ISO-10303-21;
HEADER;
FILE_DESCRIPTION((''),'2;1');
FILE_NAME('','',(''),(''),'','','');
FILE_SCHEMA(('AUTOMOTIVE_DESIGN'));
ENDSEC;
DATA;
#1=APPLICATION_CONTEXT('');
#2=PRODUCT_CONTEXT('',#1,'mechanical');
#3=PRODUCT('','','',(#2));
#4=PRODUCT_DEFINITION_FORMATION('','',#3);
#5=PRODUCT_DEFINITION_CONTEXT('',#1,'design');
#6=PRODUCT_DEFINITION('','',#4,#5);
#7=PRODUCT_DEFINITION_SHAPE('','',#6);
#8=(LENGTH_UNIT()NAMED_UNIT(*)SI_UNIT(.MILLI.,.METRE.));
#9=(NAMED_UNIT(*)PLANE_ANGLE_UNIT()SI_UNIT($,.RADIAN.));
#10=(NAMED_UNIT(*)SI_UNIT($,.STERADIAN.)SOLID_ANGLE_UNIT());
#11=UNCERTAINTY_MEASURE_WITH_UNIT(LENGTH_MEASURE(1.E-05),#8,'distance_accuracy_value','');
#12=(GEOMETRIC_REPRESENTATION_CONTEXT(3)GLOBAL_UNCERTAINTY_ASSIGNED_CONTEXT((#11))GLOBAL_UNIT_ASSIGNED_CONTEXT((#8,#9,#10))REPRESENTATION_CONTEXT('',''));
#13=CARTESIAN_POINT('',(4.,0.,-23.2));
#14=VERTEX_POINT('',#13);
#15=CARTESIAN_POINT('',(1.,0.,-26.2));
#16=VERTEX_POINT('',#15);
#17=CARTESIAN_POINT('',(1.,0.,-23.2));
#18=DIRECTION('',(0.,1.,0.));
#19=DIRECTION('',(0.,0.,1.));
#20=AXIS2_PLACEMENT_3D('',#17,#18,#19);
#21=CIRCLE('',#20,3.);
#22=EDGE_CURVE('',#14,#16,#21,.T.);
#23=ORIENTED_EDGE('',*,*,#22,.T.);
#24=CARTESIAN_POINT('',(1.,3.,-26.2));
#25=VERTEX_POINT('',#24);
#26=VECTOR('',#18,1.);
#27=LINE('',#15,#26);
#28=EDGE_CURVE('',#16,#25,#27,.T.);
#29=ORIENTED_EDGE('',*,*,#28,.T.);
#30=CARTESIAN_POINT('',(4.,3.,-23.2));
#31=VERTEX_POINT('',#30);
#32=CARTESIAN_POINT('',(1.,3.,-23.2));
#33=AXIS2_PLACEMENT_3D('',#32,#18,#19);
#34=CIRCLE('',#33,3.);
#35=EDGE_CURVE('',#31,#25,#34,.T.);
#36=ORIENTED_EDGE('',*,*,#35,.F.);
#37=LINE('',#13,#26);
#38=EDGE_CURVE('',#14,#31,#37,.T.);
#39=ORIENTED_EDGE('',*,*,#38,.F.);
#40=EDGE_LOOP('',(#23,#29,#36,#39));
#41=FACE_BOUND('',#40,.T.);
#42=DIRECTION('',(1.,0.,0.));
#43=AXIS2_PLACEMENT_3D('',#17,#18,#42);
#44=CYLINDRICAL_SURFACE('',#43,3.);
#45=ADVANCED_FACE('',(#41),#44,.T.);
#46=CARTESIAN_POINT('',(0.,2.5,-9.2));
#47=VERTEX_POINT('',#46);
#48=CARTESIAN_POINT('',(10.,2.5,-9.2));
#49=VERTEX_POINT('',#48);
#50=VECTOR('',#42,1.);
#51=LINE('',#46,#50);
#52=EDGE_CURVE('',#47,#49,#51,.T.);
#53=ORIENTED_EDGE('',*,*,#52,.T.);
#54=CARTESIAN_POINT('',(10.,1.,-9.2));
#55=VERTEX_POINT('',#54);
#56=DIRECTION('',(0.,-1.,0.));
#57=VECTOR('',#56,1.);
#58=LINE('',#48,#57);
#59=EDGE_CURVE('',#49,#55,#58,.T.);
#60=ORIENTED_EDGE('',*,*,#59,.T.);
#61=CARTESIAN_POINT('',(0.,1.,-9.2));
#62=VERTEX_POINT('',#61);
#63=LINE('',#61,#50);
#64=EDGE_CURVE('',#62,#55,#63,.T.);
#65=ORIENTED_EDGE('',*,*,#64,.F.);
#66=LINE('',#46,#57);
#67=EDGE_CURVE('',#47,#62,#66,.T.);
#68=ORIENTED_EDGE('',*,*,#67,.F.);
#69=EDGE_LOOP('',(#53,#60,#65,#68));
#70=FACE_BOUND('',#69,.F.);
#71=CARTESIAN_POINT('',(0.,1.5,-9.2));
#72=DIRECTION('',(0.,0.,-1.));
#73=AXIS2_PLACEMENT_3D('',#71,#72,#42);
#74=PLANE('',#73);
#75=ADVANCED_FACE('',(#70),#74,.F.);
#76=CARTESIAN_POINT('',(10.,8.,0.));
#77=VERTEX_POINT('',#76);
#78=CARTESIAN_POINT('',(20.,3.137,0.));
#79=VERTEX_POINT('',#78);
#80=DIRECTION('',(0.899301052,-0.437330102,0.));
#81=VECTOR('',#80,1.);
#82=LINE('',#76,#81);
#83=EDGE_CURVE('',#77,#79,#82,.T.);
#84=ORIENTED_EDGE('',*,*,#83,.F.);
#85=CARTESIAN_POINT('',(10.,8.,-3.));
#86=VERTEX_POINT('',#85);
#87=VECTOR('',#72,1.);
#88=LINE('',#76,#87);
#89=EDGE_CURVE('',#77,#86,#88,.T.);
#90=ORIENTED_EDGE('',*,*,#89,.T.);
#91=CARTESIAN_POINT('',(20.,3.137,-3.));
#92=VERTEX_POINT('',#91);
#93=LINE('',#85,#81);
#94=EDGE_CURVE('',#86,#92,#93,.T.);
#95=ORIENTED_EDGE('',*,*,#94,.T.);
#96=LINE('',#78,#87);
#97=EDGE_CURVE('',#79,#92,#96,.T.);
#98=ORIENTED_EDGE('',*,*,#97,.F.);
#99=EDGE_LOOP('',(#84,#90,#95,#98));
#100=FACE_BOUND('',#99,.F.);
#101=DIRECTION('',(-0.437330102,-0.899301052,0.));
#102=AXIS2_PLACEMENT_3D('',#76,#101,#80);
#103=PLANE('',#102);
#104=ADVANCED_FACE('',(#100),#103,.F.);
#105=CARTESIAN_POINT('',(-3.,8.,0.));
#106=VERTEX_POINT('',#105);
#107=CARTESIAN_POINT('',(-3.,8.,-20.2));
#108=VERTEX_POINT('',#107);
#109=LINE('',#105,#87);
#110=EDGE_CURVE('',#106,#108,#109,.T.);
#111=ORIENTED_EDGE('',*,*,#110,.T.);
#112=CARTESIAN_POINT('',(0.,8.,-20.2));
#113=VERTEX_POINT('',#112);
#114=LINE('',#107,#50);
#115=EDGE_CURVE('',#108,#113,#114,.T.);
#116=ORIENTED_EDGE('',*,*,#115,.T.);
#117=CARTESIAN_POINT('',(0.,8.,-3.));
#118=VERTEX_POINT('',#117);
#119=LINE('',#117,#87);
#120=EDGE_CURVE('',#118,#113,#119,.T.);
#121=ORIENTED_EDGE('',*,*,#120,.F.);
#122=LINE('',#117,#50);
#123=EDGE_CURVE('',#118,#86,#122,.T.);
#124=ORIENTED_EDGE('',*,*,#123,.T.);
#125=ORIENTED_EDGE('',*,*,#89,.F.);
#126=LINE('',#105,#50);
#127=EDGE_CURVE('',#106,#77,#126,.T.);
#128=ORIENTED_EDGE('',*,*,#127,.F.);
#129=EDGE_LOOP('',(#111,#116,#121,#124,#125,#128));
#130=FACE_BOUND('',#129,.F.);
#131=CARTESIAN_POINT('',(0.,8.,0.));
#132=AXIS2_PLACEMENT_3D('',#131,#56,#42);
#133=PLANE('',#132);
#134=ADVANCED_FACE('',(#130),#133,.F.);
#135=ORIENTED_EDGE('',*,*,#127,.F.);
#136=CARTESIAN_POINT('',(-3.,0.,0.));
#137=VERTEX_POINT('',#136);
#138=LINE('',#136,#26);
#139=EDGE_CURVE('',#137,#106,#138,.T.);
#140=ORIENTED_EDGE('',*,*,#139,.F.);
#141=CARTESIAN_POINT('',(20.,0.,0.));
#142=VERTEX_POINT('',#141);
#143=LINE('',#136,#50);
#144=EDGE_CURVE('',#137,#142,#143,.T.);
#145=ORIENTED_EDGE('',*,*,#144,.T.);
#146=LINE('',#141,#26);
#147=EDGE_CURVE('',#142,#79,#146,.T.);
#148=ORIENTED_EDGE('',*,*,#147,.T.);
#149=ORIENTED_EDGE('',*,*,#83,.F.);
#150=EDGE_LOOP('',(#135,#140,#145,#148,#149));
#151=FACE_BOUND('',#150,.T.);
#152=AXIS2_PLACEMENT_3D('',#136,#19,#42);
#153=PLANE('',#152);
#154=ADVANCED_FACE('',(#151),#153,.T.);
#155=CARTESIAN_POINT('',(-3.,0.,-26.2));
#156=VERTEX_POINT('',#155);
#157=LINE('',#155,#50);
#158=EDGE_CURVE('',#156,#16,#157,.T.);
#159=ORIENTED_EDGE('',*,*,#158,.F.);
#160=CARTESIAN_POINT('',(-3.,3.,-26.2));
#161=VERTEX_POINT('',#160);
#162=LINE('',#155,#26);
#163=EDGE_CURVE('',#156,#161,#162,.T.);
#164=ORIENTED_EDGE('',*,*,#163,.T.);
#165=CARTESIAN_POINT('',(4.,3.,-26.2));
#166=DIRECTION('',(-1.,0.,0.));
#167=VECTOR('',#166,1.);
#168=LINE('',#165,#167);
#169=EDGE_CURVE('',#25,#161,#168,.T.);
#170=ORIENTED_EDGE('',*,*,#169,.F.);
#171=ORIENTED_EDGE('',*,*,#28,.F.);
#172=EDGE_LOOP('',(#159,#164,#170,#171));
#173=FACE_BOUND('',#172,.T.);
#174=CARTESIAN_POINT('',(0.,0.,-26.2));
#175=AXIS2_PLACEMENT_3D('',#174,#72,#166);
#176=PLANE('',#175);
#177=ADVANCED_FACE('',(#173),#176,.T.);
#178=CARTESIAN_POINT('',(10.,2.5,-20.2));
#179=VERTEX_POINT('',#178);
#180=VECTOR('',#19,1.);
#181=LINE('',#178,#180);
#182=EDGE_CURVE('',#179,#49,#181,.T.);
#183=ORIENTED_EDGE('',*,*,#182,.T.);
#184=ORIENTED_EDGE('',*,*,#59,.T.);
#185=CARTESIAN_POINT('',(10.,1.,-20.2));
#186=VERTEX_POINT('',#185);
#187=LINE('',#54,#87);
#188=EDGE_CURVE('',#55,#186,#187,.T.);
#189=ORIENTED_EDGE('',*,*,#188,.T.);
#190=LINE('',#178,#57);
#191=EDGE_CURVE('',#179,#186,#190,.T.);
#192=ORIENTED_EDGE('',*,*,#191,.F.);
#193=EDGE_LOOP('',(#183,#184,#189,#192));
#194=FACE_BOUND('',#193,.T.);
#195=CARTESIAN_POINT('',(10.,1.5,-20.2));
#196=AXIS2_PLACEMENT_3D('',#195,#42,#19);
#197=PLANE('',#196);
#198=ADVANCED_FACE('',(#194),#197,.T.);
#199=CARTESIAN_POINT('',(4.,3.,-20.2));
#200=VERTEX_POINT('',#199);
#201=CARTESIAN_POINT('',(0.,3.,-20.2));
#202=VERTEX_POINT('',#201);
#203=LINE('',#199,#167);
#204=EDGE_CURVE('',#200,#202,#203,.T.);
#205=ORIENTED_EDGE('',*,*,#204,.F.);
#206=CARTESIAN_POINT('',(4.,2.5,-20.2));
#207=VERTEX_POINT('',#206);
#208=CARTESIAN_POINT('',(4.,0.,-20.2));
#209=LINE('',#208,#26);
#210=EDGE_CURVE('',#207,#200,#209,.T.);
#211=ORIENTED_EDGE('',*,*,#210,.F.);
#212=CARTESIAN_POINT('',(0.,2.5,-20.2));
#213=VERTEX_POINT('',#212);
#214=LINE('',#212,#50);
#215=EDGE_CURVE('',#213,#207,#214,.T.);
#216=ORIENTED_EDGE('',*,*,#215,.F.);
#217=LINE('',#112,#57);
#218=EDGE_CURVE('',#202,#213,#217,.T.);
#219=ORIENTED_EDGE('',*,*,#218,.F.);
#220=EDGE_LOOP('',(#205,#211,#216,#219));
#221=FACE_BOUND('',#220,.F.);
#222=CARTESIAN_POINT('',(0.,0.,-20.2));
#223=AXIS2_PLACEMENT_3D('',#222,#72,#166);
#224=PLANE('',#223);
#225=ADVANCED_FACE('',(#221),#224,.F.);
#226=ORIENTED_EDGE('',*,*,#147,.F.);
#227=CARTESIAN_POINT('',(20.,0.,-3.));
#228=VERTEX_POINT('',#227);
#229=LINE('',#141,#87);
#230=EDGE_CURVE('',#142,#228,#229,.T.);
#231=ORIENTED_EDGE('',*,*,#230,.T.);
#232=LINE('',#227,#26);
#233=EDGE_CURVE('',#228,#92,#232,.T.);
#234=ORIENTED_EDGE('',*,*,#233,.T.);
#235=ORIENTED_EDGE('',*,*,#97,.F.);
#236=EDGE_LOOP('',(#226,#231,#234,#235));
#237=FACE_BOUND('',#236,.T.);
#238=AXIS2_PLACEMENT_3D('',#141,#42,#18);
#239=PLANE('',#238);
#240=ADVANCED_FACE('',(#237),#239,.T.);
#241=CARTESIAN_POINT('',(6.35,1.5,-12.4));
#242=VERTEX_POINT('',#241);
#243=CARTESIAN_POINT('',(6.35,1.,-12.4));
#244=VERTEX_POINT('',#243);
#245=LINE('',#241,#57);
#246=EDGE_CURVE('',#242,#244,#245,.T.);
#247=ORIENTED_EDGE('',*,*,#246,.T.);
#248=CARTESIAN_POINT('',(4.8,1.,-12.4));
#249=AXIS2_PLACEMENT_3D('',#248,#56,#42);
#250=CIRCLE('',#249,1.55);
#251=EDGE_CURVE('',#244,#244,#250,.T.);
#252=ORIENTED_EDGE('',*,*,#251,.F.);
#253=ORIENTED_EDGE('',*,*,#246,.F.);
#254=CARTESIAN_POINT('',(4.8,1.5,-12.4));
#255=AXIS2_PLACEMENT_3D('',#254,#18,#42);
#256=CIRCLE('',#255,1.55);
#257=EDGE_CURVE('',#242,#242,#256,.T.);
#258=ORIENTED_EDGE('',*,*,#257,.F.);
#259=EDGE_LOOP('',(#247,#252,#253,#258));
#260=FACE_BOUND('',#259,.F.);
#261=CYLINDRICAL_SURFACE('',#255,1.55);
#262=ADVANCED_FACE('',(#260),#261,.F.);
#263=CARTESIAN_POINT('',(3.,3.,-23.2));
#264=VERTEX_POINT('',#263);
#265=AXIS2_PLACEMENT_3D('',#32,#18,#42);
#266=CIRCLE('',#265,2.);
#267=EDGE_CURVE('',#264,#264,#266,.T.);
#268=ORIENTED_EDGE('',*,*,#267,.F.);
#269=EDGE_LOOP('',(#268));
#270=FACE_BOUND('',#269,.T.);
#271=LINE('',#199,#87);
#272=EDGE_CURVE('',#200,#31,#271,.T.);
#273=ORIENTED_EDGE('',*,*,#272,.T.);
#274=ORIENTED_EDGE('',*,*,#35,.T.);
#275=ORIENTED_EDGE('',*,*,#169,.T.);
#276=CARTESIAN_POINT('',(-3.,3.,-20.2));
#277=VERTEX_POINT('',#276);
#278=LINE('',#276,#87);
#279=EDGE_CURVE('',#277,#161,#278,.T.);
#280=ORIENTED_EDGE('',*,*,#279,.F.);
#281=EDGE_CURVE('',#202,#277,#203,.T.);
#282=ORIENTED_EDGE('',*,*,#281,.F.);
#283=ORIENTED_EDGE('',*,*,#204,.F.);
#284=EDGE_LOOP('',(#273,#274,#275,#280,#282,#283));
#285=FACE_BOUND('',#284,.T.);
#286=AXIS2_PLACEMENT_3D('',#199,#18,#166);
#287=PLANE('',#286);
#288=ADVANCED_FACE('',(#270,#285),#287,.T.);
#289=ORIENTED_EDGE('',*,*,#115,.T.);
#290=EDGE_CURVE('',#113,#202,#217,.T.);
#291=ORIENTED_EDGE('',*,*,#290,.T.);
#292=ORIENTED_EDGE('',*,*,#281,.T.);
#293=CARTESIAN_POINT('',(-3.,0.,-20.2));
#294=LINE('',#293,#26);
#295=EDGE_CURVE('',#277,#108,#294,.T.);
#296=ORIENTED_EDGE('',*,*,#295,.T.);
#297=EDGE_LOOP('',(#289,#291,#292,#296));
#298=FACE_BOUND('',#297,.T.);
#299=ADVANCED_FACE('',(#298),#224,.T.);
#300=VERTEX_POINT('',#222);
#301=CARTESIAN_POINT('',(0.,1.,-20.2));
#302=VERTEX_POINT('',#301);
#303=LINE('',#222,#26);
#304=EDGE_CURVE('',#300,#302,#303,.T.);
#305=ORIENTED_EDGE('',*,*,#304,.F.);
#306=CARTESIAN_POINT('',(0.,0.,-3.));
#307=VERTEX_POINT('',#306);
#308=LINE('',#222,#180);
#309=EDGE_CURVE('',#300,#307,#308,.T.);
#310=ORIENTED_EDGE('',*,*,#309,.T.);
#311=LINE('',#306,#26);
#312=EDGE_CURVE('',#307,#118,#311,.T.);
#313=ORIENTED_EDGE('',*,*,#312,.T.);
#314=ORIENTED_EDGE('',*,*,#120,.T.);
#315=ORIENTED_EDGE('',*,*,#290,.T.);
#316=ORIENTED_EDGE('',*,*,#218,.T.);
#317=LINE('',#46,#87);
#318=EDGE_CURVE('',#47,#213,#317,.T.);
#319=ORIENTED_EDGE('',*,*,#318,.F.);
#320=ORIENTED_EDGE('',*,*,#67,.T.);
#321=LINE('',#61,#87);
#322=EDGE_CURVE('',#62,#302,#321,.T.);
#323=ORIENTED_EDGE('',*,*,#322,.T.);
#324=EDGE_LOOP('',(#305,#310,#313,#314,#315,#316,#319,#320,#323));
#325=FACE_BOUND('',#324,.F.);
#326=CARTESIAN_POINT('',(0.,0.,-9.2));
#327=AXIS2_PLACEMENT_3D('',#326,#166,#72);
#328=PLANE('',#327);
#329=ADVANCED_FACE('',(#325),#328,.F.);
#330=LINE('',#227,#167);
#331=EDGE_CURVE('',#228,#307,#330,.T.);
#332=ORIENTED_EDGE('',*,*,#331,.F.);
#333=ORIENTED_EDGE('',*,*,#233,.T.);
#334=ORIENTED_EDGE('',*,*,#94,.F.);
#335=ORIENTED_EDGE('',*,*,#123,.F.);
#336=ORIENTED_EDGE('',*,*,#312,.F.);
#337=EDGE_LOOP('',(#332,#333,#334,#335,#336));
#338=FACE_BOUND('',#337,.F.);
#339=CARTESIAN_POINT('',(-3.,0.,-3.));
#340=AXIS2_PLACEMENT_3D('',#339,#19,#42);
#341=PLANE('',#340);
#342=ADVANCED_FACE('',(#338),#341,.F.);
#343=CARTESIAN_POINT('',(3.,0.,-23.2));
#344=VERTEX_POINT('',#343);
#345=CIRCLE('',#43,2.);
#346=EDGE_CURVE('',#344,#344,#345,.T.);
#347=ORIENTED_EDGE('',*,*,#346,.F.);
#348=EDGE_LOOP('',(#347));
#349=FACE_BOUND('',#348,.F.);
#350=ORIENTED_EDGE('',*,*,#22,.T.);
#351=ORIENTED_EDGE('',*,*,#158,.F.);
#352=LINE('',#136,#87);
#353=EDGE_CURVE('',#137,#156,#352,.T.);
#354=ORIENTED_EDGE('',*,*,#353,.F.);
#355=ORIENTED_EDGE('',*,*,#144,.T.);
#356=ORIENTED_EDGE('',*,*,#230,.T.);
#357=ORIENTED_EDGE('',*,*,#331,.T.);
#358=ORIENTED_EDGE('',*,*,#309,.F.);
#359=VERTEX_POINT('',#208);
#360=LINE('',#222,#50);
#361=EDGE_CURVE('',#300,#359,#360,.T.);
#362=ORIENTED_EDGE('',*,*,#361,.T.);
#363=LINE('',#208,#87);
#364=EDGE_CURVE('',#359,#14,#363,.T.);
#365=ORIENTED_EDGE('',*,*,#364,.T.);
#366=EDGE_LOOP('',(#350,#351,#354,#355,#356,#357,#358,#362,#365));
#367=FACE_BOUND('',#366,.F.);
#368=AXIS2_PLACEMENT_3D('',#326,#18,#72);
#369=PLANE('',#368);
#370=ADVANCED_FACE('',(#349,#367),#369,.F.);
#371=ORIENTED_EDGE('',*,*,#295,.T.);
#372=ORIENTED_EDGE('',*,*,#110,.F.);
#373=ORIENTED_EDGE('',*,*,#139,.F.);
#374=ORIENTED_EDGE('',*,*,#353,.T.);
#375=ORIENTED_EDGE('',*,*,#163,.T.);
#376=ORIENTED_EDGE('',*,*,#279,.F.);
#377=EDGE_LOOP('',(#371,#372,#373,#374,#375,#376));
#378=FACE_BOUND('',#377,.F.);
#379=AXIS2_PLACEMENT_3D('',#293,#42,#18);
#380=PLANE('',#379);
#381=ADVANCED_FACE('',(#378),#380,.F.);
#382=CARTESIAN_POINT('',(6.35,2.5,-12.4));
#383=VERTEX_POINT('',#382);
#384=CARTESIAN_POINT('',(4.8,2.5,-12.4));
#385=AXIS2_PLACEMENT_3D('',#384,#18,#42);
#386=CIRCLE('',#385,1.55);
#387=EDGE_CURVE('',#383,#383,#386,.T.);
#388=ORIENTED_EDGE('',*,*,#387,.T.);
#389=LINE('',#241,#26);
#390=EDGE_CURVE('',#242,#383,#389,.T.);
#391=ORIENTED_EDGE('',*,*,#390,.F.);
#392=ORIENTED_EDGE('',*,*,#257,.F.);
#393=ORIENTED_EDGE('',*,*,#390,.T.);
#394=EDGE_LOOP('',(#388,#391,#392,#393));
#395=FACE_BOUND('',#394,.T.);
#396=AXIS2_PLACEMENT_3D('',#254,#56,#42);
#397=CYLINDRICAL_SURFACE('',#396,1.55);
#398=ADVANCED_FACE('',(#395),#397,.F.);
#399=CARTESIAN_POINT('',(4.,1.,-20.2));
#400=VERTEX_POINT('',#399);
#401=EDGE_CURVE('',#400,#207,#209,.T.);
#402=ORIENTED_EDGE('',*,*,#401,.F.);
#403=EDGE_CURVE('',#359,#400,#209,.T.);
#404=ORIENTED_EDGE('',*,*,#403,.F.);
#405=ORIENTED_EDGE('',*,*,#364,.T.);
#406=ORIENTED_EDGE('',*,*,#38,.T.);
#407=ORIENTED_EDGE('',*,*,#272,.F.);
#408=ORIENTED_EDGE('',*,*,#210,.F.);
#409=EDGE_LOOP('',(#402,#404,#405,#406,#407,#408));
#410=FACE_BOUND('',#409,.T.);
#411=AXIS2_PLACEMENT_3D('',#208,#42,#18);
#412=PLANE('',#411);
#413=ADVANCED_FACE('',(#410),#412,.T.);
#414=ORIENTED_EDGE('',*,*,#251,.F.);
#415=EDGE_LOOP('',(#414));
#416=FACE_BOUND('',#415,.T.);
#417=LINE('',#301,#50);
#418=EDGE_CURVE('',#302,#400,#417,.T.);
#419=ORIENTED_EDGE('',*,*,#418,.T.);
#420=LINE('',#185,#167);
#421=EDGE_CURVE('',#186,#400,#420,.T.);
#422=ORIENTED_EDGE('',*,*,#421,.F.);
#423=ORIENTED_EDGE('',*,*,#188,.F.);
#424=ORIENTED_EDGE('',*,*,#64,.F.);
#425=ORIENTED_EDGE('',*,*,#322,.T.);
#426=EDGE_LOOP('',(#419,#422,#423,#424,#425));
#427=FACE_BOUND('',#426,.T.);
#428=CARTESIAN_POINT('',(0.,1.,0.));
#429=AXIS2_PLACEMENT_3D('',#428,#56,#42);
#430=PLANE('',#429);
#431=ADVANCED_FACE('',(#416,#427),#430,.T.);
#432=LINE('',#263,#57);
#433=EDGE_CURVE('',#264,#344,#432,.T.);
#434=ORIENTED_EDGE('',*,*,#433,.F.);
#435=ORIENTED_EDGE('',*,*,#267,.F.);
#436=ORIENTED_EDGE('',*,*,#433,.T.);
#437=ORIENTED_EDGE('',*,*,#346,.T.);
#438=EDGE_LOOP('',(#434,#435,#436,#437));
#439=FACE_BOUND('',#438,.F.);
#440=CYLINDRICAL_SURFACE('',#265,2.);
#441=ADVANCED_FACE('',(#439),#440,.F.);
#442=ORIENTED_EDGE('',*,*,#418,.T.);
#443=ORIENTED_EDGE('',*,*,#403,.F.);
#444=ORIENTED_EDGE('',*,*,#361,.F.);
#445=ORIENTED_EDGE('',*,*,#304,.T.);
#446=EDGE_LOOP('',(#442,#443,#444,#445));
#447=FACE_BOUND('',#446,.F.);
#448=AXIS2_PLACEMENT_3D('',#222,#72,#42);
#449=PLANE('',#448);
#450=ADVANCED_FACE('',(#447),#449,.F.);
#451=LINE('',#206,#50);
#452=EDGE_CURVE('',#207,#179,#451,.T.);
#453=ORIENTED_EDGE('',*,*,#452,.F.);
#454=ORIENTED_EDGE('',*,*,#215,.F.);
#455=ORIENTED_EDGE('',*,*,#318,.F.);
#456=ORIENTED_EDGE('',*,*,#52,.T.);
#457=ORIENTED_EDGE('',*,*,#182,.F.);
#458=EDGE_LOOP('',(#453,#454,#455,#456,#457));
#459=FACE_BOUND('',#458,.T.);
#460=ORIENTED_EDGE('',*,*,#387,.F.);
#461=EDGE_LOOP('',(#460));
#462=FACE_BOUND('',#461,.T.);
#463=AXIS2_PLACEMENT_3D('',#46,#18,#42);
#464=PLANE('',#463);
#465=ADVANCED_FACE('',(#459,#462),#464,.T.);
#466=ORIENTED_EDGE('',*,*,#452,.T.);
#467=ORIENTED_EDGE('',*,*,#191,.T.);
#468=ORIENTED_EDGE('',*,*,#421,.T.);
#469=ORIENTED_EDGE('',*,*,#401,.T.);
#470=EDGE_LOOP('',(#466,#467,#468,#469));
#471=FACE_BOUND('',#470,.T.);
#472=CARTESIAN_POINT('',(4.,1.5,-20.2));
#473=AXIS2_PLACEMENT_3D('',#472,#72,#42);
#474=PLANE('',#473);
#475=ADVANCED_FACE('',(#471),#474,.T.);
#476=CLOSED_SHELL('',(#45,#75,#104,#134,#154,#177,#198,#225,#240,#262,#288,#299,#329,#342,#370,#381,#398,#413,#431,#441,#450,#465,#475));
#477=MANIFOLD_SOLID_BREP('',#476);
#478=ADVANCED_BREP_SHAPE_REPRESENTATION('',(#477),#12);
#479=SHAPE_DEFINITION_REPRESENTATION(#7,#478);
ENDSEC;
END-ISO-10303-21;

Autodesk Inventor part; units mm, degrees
ref_plane "YZ Plane" through (0, 0, 0) normal (1, 0, 0) x (0, 1, 0)
ref_plane "XZ Plane" through (0, 0, 0) normal (0, 1, 0) x (-1, 0, 0)
ref_plane "XY Plane" through (0, 0, 0) normal (0, 0, 1) x (1, 0, 0)
sketch "Szkic1" plane through (0, 0, 0) normal (0, 1, 0) x (-1, 0, 0)
  line L0 (0, 0) -> (3, 0)
  line L1 (3, 0) -> (3, -22)
  line L2 (3, -22) -> (0, -22)
  line L3 (0, -22) -> (0, 0)
  line L4 (0, 0) -> (-20, 0)
  line L5 (-20, 0) -> (-20, -3)
  line L6 (-20, -3) -> (0, -3)
  line L7 (0, -3) -> (0, 0)
  line L8 (0, -22) -> (-3, -22)
  line L9 (-3, -22) -> (-3, -17)
  line L10 (-3, -17) -> (0, -17)
  line L11 (0, -17) -> (0, -22)
  dimension "d0" = 3
  dimension "d1" = 22
  dimension "d2" = 20
  dimension "d3" = 3
  dimension "d4" = 3
  dimension "d5" = 5
extrude "Wyciągnięcie proste1" add sketch "Szkic1" along normal blind 8
sketch "Szkic2" plane through (20, 0, -3) normal (0, 0, -1) x (-1, 0, 0)
  line L0 (0, 0) -> (0, 8) projected
  line L1 (0, 0) -> (20, 8)
  line L2 (23, 8) -> (0, 8) projected
  point P0 (20, 0)
extrude "Wyciągnięcie proste2" cut sketch "Szkic2" against normal blind 3
sketch "Szkic3" plane through (0, 8, 0) normal (0, 1, 0) x (1, 0, 0)
  point P0 (0, 0)
sketch "Szkic4" plane through (3, 0, -17) normal (1, 0, 0) x (0, 0, -1)
  line L0 (5, 0) -> (5, 8) projected
  line L1 (0, 0) -> (0, 8) projected
  line L2 (5, 0) -> (0, 0)
  line L3 (0, 0) -> (0, 8)
  line L4 (0, 8) -> (5, 8)
  line L5 (5, 8) -> (5, 0)
  point P0 (-17, 0)
extrude "Wyciągnięcie proste3" cut sketch "Szkic4" against normal blind 3
sketch "Szkic5" plane through (0, 0, -22) normal (0, 0, -1) x (-1, 0, 0)
  line L0 (3, 8) -> (0, 8) projected
  line L1 (0, 0) -> (3, 0)
  line L2 (3, 0) -> (3, 8)
  line L3 (3, 8) -> (0, 8)
  line L4 (0, 8) -> (0, 0)
extrude "Wyciągnięcie proste4" cut sketch "Szkic5" against normal blind 1.8
sketch "Szkic6" plane through (0, 0, -20.2) normal (0, 0, -1) x (-1, 0, 0)
  line L0 (3, 0) -> (3, 8) projected
  line L1 (3, 0) -> (-4, 0)
  line L2 (-4, 0) -> (-4, 3)
  line L3 (-4, 3) -> (3, 3)
  line L4 (3, 3) -> (3, 0)
  point P0 (0, 0)
  dimension "d14" = 7
  dimension "d15" = 3
extrude "Wyciągnięcie proste5" add sketch "Szkic6" along normal blind 6
sketch "Szkic7" plane through (0, 3, -20.2) normal (0, 1, 0) x (1, 0, 0)
  circle A0 centre (1, 3) radius 2
  line L0 (-3, 0) -> (-3, 6) projected
  line L1 (-3, 6) -> (4, 6) projected
  point P0 (0, -20.2)
  point P1 (-3, 3)
  point P2 (0.5, 6)
  dimension "d18" = 4
  dimension "d19" = 4
  dimension "d20" = 3
extrude "Wyciągnięcie proste6" cut sketch "Szkic7" against normal blind 3
sketch "Szkic8" plane through (-3, 0, 0) normal (0, 0, 1) x (1, 0, 0)
  line L0 (3, 8) -> (13, 8)
  line L1 (23, 0) -> (3, 0) projected
  line L2 (23, 0) -> (23, 3.137)
  line L3 (13, 8) -> (23, 3.137)
  line L4 (23, 0) -> (3, 8) projected
  line L5 (3, 8) -> (23, 0)
  dimension "d23" = 10
  dimension "d24" = 3.137
extrude "Wyciągnięcie proste7" add sketch "Szkic8" against normal blind 3
sketch "Szkic9" plane through (0, 0, -3) normal (1, 0, 0) x (0, 0, -1)
  line L0 (0, 0) -> (17.2, 0) projected
  line L1 (17.2, 0) -> (6.2, 0)
  line L2 (6.2, 0) -> (6.2, 1.5)
  line L3 (6.2, 1.5) -> (17.2, 1.5)
  line L4 (17.2, 1.5) -> (17.2, 0)
  point P0 (-3, 0)
  point P1 (6.2, 0)
  dimension "d27" = 11
  dimension "d35" = 1.5
extrude "Wyciągnięcie proste8" add sketch "Szkic9" along normal blind 10
sketch "Szkic10" plane through (0, 1.5, -9.2) normal (0, 1, 0) x (1, 0, 0)
  circle A0 centre (4.8, 3.2) radius 1.55
  line L0 (0, 0) -> (10, 0) projected
  line L1 (10, 11) -> (10, 0) projected
  line L2 (4, 11) -> (10, 11) projected
  line L3 (0, -6.2) -> (0, 11) projected
  point P0 (0, -9.2)
  point P1 (5, 0)
  dimension "d30" = 3.1
  dimension "d36" = 7.8
  dimension "d37" = 4.8
extrude "Wyciągnięcie proste9" cut sketch "Szkic10" against normal blind 2
fillet "Fillet1" radius 3 1 edges at (4, 1.5, -26.2)
sketch "Szkic11" plane through (0, 1.5, -9.2) normal (0, 1, 0) x (1, 0, 0)
  circle A0 centre (4.8, 3.2) radius 1.55 projected
  line L0 (0, 0) -> (0, 11) projected
  line L1 (0, 0) -> (10, 0) projected
  line L2 (10, 11) -> (10, 0) projected
  line L3 (4, 11) -> (10, 11) projected
  line L4 (0, 11) -> (4, 11) projected
  point P0 (0, -9.2)
extrude "Wyciągnięcie proste10" add sketch "Szkic11" along normal blind 1
sketch "Szkic12" plane through (0, 0, 0) normal (0, -1, 0) x (1, 0, 0)
  line L0 (10, -9.2) -> (10, -20.2) projected
  line L1 (10, -20.2) -> (4, -20.2) projected
  line L2 (0, -20.2) -> (4, -20.2) projected
  line L3 (0, -9.2) -> (0, -20.2) projected
  line L4 (0, -9.2) -> (10, -9.2) projected
  circle A0 centre (4.8, -12.4) radius 1.55 projected
  point P0 (0, 0)
extrude "Wyciągnięcie proste11" cut sketch "Szkic12" against normal blind 1
properties part number "lfmw" material "Tworzywo sztuczne PET"
